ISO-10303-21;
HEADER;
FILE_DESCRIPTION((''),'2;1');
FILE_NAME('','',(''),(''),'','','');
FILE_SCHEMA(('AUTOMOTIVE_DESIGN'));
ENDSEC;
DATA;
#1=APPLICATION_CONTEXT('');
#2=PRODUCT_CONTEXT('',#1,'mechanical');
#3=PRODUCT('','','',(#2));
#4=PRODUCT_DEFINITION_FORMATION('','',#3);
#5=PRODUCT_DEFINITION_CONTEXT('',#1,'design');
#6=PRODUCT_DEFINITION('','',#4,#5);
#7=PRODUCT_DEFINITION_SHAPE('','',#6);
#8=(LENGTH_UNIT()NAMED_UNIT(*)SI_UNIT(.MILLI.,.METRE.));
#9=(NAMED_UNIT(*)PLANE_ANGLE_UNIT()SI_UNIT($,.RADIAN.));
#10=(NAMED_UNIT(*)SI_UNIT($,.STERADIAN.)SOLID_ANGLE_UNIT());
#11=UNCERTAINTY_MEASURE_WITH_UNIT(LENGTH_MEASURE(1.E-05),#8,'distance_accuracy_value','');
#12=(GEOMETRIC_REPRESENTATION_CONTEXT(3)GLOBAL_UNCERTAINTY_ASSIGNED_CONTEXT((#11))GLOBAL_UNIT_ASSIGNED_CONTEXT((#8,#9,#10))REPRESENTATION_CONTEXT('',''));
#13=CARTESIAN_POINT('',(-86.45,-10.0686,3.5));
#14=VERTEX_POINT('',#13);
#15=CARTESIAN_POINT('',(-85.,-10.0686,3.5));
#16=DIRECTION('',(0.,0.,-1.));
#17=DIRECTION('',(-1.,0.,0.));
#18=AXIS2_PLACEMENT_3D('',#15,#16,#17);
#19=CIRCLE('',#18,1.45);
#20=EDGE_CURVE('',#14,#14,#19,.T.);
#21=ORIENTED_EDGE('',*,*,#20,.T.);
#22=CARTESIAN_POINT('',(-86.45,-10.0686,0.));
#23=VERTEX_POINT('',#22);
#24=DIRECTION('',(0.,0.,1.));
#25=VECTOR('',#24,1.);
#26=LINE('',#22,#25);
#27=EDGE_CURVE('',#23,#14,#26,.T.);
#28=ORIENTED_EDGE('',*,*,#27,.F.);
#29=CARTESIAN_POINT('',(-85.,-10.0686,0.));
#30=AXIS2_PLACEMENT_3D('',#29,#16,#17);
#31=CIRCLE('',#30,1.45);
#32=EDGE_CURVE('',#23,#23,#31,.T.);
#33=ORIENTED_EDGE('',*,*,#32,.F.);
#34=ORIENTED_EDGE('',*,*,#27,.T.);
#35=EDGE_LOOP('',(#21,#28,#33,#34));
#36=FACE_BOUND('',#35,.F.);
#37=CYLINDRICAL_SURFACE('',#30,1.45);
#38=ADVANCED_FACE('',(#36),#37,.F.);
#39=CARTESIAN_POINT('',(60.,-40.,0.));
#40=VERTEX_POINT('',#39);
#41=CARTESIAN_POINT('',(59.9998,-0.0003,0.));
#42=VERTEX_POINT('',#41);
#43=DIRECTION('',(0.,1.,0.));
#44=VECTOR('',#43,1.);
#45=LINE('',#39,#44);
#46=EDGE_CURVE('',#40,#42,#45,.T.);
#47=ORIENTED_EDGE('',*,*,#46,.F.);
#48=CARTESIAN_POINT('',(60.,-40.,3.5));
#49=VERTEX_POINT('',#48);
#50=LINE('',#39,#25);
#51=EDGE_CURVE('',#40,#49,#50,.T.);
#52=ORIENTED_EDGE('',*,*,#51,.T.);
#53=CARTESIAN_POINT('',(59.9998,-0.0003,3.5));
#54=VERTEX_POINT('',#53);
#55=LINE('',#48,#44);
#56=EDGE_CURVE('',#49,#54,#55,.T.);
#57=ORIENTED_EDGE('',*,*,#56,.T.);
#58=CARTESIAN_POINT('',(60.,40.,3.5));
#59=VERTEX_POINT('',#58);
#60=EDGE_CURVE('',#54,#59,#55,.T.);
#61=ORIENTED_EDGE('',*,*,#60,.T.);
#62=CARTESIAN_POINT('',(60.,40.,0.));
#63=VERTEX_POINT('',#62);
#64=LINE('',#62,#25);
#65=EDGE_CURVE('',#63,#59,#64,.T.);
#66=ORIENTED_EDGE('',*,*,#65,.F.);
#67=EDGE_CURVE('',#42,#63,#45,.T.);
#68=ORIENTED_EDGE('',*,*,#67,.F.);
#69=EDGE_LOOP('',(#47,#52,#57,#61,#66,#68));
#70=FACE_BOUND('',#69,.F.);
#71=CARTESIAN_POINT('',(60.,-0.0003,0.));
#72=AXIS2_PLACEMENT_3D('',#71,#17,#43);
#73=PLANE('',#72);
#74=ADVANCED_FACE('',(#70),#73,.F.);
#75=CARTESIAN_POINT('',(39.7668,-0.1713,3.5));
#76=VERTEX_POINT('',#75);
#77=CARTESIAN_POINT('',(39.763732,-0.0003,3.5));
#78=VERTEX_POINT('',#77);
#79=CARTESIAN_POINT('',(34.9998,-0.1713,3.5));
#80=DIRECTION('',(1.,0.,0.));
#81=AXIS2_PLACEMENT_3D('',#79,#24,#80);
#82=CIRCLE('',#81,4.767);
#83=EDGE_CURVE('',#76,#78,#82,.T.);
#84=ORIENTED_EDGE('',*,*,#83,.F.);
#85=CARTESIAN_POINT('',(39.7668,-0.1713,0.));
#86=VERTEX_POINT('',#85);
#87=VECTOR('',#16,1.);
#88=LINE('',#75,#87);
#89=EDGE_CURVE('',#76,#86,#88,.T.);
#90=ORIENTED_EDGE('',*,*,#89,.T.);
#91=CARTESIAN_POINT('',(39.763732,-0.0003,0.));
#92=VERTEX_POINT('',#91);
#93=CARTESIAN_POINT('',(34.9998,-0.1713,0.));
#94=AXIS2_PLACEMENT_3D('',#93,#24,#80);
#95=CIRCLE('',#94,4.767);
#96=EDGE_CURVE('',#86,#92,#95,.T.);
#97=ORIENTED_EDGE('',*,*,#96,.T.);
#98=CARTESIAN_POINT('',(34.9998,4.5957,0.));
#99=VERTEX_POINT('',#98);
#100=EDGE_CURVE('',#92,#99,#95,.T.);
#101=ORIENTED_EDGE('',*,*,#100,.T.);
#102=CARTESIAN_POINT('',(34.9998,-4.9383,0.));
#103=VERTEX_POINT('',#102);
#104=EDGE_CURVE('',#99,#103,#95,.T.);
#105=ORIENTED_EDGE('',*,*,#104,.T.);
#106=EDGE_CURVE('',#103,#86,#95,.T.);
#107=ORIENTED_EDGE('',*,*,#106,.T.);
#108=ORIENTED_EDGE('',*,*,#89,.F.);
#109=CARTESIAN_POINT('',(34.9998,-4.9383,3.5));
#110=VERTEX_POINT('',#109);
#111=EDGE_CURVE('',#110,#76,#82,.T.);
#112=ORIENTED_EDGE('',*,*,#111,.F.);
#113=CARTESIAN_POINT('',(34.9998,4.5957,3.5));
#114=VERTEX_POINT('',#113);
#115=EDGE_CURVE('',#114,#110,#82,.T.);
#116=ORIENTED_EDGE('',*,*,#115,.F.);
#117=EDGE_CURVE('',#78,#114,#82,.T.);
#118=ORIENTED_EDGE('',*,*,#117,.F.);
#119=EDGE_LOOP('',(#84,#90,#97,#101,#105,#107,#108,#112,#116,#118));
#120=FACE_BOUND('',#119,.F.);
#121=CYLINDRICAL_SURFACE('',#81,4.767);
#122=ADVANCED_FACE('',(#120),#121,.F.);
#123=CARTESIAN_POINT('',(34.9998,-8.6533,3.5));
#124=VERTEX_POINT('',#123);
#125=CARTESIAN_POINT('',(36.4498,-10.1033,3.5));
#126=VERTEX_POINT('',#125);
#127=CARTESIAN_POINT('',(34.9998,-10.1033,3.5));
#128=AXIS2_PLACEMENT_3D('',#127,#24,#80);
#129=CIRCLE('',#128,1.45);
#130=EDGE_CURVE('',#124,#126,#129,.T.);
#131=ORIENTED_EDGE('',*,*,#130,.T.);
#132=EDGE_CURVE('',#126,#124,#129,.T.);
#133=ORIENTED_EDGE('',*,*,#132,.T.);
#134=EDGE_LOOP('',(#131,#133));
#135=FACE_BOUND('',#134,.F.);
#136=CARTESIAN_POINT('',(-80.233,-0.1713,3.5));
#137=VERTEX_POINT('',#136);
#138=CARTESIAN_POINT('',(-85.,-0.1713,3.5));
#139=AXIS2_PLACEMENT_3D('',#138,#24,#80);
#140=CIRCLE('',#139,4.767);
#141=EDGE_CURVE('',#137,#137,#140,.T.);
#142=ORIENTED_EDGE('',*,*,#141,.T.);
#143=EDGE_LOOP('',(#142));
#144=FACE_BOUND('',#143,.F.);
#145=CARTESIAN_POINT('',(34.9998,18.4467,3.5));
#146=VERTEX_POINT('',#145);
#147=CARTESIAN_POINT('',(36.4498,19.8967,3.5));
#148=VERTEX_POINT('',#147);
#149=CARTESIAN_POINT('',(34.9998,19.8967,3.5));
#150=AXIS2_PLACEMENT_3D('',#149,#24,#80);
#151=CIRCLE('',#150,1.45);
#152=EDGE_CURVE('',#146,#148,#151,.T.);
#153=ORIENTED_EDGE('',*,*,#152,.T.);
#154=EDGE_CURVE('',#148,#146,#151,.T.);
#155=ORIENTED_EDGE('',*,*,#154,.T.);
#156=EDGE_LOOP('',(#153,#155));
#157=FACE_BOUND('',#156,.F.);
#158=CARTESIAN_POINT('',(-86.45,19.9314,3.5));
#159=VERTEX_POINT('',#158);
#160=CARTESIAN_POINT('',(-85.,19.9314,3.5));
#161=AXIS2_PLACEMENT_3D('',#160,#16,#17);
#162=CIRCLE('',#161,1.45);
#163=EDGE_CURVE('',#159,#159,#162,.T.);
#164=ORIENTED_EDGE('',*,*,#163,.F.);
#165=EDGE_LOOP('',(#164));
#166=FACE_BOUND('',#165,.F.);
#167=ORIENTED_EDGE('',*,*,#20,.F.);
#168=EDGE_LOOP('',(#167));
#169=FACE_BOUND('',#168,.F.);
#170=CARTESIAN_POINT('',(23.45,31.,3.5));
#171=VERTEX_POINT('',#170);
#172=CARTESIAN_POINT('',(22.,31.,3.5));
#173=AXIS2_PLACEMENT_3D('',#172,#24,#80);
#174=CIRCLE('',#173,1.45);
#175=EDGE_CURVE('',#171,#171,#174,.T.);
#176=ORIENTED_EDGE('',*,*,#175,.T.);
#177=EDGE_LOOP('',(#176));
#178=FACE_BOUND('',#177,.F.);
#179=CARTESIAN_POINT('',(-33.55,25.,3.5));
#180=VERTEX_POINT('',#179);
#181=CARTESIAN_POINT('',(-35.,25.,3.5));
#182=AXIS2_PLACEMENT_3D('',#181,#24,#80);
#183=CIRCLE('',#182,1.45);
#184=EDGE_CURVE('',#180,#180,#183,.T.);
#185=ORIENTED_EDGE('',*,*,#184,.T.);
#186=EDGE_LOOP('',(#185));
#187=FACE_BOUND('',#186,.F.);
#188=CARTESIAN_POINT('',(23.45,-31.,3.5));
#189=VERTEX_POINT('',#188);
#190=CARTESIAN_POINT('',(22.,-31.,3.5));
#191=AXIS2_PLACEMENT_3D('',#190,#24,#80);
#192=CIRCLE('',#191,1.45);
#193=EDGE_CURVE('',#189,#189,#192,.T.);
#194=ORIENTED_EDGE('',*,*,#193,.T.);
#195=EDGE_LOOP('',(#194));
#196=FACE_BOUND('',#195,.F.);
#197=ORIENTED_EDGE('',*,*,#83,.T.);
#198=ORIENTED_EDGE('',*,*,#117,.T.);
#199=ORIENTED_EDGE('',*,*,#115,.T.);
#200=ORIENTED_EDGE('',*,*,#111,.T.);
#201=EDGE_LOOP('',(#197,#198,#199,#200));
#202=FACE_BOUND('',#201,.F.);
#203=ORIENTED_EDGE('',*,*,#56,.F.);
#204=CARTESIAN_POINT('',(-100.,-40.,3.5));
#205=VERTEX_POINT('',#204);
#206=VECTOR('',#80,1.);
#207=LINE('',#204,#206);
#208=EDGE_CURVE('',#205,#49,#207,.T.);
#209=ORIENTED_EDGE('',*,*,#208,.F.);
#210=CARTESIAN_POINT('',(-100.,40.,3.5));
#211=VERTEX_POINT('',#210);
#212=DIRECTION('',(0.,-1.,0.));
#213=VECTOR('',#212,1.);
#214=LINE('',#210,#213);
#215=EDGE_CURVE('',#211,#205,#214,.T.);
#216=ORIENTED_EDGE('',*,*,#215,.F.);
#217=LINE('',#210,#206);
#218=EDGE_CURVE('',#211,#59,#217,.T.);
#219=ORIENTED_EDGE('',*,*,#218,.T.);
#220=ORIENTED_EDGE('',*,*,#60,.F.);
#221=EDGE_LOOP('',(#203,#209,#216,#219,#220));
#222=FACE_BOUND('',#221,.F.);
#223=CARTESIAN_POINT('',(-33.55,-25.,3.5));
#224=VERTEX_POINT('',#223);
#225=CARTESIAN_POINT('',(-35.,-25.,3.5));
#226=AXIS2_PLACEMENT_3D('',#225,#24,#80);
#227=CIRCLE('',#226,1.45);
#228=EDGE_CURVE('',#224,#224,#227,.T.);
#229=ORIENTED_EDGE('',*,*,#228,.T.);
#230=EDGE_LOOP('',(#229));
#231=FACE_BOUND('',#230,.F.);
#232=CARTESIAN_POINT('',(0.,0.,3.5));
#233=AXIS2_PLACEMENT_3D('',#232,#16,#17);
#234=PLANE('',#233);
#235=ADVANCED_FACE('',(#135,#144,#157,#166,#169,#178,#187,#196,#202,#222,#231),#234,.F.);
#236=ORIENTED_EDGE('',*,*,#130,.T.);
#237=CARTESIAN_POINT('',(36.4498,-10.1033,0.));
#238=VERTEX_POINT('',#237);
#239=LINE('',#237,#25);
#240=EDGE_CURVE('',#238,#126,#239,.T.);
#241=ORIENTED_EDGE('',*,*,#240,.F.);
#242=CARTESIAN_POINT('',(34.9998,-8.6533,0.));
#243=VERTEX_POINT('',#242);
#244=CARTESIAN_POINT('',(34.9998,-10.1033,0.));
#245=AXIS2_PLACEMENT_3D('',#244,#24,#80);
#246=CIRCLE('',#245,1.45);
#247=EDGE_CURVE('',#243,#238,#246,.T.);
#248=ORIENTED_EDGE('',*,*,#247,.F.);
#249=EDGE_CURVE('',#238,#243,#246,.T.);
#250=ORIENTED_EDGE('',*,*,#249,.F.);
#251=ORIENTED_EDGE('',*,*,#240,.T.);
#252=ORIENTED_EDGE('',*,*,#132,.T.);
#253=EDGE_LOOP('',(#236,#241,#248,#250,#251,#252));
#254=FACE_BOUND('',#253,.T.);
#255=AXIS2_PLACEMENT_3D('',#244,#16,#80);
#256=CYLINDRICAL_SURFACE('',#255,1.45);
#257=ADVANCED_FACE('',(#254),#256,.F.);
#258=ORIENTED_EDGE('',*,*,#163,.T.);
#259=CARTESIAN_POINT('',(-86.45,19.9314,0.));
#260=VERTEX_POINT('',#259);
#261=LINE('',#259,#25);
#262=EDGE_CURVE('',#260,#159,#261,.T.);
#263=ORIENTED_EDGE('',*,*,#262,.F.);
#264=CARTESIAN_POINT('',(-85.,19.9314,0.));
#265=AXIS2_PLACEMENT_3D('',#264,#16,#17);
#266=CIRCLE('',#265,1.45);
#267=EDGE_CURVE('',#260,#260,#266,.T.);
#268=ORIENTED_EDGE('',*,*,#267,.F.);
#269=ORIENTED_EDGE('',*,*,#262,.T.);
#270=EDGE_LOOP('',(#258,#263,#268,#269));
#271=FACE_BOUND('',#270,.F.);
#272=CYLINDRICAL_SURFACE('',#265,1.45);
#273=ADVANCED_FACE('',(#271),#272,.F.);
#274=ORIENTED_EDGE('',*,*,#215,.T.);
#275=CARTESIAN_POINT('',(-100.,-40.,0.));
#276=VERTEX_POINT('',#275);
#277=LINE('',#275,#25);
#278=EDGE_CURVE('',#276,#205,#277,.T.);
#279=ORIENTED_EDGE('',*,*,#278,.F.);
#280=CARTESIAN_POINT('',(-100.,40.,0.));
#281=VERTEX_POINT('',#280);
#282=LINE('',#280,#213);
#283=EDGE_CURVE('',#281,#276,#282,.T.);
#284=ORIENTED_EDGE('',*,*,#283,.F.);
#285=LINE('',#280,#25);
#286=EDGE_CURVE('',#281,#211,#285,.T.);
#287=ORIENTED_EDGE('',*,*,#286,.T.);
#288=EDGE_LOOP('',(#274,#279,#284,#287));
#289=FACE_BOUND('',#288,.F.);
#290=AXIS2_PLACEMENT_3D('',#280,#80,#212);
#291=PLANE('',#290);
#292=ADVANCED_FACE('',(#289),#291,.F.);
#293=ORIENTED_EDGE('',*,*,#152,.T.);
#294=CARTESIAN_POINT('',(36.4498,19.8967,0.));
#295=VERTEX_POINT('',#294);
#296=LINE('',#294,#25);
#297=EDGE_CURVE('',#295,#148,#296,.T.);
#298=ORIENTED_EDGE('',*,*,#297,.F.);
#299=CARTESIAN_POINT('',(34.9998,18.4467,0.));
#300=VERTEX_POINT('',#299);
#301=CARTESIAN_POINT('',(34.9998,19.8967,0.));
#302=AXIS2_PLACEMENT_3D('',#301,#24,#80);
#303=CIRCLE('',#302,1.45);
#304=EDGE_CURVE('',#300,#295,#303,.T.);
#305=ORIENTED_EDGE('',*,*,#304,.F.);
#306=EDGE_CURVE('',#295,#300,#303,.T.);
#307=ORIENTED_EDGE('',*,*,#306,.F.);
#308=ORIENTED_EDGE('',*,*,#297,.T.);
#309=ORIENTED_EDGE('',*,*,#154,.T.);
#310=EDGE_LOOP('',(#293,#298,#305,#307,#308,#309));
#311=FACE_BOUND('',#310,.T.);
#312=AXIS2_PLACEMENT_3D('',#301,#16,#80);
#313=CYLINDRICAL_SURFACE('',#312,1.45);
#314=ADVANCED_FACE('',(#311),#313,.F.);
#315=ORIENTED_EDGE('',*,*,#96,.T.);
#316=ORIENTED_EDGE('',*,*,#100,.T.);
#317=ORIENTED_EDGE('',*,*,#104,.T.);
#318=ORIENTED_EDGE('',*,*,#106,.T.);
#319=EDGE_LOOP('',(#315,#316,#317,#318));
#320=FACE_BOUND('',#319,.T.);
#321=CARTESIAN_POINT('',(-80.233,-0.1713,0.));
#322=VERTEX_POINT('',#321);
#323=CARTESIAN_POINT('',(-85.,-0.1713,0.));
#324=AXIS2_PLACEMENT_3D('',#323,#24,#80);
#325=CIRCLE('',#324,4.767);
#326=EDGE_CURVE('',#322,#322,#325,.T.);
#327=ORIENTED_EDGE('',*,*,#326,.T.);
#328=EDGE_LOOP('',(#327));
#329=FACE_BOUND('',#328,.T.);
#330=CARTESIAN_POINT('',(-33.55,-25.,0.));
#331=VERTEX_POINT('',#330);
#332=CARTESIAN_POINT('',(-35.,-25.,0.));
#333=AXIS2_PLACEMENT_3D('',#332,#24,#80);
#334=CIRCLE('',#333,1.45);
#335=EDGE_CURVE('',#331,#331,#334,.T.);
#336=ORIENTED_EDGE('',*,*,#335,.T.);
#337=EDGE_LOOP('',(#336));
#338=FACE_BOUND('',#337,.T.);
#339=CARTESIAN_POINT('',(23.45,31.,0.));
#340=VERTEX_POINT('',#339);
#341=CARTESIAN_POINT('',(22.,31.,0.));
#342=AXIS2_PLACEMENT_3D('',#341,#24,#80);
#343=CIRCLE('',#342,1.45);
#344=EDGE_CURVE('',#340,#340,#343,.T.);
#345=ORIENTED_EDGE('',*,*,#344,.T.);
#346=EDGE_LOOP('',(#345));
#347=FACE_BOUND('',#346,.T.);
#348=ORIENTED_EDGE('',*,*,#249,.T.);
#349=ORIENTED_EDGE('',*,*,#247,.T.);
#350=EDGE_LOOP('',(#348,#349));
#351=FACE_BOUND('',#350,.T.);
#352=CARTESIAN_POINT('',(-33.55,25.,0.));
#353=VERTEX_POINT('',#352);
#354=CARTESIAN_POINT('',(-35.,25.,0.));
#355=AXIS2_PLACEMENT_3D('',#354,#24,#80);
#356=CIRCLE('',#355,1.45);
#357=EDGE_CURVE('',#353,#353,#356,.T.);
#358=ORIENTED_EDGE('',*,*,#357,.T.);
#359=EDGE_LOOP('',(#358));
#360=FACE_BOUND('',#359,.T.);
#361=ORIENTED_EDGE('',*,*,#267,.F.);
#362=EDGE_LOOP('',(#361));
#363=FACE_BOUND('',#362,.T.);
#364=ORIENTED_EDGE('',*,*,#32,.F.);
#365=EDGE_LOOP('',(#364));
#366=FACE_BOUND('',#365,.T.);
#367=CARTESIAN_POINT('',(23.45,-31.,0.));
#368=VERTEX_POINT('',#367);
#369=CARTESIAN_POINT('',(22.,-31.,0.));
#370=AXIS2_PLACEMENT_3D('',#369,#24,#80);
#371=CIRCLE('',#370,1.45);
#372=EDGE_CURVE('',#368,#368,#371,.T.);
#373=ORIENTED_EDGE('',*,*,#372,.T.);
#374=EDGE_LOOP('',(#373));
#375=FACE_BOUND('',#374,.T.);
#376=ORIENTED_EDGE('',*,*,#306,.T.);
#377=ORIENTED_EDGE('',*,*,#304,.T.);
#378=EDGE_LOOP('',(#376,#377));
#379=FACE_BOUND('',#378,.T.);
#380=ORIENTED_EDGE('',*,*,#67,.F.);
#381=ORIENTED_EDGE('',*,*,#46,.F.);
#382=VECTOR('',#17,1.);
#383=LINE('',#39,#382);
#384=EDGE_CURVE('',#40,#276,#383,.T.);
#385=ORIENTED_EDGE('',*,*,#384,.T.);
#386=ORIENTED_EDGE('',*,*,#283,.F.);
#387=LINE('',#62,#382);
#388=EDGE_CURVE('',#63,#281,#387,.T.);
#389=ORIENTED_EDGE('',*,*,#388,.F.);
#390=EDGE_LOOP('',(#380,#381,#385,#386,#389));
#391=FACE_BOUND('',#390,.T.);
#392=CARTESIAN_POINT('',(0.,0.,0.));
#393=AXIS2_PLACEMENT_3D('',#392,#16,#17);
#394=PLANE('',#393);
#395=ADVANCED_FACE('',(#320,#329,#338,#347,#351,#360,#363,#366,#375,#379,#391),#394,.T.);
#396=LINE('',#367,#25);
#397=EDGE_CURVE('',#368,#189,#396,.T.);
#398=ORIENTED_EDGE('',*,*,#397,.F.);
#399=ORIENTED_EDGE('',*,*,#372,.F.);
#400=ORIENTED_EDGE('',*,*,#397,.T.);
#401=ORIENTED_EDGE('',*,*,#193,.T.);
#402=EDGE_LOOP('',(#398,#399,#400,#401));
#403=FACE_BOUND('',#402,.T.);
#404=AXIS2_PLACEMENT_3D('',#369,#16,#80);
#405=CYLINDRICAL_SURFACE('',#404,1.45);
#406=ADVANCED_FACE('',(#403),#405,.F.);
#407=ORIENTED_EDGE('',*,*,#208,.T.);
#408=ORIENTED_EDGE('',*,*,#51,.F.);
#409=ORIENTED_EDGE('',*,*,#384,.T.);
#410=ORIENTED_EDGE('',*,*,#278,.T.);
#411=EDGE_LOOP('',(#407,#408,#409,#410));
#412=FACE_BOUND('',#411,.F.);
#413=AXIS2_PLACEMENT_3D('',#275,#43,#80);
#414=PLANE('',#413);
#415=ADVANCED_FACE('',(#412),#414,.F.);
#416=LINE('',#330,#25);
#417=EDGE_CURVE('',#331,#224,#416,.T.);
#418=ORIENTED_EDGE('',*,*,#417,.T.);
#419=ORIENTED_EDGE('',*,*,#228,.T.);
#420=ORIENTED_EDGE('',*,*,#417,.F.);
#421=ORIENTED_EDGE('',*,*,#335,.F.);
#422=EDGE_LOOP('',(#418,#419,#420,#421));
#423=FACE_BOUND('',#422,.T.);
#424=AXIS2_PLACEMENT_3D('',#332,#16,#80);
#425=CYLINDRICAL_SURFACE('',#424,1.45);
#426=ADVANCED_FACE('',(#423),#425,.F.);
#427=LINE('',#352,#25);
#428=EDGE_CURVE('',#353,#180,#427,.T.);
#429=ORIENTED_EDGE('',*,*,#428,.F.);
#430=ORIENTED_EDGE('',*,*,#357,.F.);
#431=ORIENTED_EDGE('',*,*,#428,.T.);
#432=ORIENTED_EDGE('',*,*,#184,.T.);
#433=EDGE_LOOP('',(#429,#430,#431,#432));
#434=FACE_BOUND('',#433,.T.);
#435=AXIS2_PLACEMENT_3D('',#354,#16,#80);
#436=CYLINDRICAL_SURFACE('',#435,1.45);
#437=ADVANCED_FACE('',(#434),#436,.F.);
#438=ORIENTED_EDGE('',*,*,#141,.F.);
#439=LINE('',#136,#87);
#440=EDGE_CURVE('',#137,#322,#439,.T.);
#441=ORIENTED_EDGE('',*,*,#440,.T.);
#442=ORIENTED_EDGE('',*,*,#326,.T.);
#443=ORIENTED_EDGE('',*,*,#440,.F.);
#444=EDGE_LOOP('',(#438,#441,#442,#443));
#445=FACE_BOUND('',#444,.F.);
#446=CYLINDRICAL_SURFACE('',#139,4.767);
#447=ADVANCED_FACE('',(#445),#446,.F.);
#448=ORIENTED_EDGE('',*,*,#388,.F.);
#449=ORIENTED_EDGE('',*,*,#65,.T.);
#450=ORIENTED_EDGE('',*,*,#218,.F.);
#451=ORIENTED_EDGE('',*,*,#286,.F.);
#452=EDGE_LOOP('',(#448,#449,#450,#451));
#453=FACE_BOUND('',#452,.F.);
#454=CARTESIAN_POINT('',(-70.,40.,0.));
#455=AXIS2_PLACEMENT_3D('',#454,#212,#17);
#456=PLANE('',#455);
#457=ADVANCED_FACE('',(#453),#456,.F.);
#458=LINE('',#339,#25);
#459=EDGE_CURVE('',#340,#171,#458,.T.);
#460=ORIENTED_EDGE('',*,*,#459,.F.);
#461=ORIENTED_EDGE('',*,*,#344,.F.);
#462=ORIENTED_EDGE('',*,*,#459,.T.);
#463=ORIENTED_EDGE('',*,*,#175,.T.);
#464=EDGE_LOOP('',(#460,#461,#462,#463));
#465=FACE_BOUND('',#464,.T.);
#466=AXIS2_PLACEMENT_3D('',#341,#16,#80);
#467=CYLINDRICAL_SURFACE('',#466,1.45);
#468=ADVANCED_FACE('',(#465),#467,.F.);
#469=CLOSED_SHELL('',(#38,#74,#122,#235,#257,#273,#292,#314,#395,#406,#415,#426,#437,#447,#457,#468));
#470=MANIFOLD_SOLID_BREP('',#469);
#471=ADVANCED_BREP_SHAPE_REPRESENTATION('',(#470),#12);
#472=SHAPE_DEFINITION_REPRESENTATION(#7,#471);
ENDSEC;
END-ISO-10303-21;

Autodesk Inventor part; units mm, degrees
ref_plane "YZ Plane" through (0, 0, 0) normal (1, 0, 0) x (0, 1, 0)
ref_plane "XZ Plane" through (0, 0, 0) normal (0, 1, 0) x (-1, 0, 0)
ref_plane "XY Plane" through (0, 0, 0) normal (0, 0, 1) x (1, 0, 0)
sketch "Sketch2" plane through (0, 0, 0) normal (0, 0, 1) x (1, 0, 0)
  line L0 (40, -40) -> (-70, -40)
  line L1 (-70, -40) -> (-70, 40)
  line L2 (-70, 40) -> (40, 40)
  circle A0 centre (-35, -25) radius 1 projected
  circle A1 centre (-35, -25) radius 1.45
  circle A2 centre (22, -31) radius 1 projected
  circle A3 centre (22, -31) radius 1.45
  circle A4 centre (22, 31) radius 1 projected
  circle A5 centre (22, 31) radius 1.45
  circle A6 centre (-35, 25) radius 1 projected
  circle A7 centre (-35, 25) radius 1.45
  line L3 (59.9998, -0.0003) -> (34.9998, -0.0003)
  line L4 (34.9998, -0.0003) -> (34.9998, -10.1033)
  line L5 (34.9998, -0.0003) -> (34.9998, 19.8967)
  circle A8 centre (34.9998, -10.1033) radius 1.45
  circle A9 centre (34.9998, 19.8967) radius 1.45
  line L6 (-60, 0) -> (-60, -10.103)
  line L7 (-60, -10.103) -> (-60, 0)
  line L8 (-60, 0) -> (-60, 19.897)
  circle A10 centre (-60, 19.897) radius 1.45
  circle A11 centre (-60, -10.103) radius 1.45
  line L9 (40, -40) -> (60, -40)
  line L10 (60, -40) -> (60, 40)
  line L11 (60, 40) -> (40, 40)
  line L12 (60, -40) -> (60, 0)
  line L13 (-70, 0) -> (-60, 0)
  point P0 (0, 0)
  dimension "d1" = 44.721
  dimension "d2" = 110
  dimension "d3" = 80
  dimension "d4" = 2.9
  dimension "d5" = 2.9
  dimension "d6" = 2.9
  dimension "d7" = 2.9
  dimension "d8" = 25
  dimension "d9" = 10.103
  dimension "d11" = 19.897
  dimension "d12" = 2.9
  dimension "d13" = 2.9
  dimension "d19" = 2.9
  dimension "d20" = 2.9
  dimension "d21" = 20
  dimension "d22" = 10
extrude "Extrusion1" add sketch "Sketch2" along normal blind 3.5 contours A10 | A11 | L0 L1 L2 L11 L10 L9
sketch "Sketch3" plane through (0, 0, 0) normal (0, 0, -1) x (-1, 0, 0)
  line L0 (70, 40) -> (70, -40) projected
  line L1 (70, 40) -> (100, 40)
  line L2 (100, 40) -> (100, -40)
  line L3 (100, -40) -> (70, -40)
  line L4 (70, -40) -> (70, 40)
  circle A0 centre (85, 19.9314) radius 1.45
  circle A1 centre (85, -10.0686) radius 1.45
  point P0 (0, 0)
  dimension "d23" = 30
  dimension "d25" = 2.9
  dimension "d26" = 2.9
extrude "Extrusion2" add sketch "Sketch3" against normal up to surface (3.5 mm away)
sketch "Sketch4" plane through (0, 0, 3.5) normal (0, 0, 1) x (1, 0, 0)
  circle A0 centre (34.9998, -10.1033) radius 1.45 projected
  circle A1 centre (34.9998, -0.1713) radius 4.767
  circle A2 centre (-85, -10.0686) radius 1.45 projected
  circle A3 centre (-85, -0.1713) radius 4.767
  point P0 (0, 0)
  dimension "d31" = 9.534
extrude "Extrusion3" cut sketch "Sketch4" against normal up to surface (3.5 mm away) contours A1 | A3
properties part number "lidar_plate"
